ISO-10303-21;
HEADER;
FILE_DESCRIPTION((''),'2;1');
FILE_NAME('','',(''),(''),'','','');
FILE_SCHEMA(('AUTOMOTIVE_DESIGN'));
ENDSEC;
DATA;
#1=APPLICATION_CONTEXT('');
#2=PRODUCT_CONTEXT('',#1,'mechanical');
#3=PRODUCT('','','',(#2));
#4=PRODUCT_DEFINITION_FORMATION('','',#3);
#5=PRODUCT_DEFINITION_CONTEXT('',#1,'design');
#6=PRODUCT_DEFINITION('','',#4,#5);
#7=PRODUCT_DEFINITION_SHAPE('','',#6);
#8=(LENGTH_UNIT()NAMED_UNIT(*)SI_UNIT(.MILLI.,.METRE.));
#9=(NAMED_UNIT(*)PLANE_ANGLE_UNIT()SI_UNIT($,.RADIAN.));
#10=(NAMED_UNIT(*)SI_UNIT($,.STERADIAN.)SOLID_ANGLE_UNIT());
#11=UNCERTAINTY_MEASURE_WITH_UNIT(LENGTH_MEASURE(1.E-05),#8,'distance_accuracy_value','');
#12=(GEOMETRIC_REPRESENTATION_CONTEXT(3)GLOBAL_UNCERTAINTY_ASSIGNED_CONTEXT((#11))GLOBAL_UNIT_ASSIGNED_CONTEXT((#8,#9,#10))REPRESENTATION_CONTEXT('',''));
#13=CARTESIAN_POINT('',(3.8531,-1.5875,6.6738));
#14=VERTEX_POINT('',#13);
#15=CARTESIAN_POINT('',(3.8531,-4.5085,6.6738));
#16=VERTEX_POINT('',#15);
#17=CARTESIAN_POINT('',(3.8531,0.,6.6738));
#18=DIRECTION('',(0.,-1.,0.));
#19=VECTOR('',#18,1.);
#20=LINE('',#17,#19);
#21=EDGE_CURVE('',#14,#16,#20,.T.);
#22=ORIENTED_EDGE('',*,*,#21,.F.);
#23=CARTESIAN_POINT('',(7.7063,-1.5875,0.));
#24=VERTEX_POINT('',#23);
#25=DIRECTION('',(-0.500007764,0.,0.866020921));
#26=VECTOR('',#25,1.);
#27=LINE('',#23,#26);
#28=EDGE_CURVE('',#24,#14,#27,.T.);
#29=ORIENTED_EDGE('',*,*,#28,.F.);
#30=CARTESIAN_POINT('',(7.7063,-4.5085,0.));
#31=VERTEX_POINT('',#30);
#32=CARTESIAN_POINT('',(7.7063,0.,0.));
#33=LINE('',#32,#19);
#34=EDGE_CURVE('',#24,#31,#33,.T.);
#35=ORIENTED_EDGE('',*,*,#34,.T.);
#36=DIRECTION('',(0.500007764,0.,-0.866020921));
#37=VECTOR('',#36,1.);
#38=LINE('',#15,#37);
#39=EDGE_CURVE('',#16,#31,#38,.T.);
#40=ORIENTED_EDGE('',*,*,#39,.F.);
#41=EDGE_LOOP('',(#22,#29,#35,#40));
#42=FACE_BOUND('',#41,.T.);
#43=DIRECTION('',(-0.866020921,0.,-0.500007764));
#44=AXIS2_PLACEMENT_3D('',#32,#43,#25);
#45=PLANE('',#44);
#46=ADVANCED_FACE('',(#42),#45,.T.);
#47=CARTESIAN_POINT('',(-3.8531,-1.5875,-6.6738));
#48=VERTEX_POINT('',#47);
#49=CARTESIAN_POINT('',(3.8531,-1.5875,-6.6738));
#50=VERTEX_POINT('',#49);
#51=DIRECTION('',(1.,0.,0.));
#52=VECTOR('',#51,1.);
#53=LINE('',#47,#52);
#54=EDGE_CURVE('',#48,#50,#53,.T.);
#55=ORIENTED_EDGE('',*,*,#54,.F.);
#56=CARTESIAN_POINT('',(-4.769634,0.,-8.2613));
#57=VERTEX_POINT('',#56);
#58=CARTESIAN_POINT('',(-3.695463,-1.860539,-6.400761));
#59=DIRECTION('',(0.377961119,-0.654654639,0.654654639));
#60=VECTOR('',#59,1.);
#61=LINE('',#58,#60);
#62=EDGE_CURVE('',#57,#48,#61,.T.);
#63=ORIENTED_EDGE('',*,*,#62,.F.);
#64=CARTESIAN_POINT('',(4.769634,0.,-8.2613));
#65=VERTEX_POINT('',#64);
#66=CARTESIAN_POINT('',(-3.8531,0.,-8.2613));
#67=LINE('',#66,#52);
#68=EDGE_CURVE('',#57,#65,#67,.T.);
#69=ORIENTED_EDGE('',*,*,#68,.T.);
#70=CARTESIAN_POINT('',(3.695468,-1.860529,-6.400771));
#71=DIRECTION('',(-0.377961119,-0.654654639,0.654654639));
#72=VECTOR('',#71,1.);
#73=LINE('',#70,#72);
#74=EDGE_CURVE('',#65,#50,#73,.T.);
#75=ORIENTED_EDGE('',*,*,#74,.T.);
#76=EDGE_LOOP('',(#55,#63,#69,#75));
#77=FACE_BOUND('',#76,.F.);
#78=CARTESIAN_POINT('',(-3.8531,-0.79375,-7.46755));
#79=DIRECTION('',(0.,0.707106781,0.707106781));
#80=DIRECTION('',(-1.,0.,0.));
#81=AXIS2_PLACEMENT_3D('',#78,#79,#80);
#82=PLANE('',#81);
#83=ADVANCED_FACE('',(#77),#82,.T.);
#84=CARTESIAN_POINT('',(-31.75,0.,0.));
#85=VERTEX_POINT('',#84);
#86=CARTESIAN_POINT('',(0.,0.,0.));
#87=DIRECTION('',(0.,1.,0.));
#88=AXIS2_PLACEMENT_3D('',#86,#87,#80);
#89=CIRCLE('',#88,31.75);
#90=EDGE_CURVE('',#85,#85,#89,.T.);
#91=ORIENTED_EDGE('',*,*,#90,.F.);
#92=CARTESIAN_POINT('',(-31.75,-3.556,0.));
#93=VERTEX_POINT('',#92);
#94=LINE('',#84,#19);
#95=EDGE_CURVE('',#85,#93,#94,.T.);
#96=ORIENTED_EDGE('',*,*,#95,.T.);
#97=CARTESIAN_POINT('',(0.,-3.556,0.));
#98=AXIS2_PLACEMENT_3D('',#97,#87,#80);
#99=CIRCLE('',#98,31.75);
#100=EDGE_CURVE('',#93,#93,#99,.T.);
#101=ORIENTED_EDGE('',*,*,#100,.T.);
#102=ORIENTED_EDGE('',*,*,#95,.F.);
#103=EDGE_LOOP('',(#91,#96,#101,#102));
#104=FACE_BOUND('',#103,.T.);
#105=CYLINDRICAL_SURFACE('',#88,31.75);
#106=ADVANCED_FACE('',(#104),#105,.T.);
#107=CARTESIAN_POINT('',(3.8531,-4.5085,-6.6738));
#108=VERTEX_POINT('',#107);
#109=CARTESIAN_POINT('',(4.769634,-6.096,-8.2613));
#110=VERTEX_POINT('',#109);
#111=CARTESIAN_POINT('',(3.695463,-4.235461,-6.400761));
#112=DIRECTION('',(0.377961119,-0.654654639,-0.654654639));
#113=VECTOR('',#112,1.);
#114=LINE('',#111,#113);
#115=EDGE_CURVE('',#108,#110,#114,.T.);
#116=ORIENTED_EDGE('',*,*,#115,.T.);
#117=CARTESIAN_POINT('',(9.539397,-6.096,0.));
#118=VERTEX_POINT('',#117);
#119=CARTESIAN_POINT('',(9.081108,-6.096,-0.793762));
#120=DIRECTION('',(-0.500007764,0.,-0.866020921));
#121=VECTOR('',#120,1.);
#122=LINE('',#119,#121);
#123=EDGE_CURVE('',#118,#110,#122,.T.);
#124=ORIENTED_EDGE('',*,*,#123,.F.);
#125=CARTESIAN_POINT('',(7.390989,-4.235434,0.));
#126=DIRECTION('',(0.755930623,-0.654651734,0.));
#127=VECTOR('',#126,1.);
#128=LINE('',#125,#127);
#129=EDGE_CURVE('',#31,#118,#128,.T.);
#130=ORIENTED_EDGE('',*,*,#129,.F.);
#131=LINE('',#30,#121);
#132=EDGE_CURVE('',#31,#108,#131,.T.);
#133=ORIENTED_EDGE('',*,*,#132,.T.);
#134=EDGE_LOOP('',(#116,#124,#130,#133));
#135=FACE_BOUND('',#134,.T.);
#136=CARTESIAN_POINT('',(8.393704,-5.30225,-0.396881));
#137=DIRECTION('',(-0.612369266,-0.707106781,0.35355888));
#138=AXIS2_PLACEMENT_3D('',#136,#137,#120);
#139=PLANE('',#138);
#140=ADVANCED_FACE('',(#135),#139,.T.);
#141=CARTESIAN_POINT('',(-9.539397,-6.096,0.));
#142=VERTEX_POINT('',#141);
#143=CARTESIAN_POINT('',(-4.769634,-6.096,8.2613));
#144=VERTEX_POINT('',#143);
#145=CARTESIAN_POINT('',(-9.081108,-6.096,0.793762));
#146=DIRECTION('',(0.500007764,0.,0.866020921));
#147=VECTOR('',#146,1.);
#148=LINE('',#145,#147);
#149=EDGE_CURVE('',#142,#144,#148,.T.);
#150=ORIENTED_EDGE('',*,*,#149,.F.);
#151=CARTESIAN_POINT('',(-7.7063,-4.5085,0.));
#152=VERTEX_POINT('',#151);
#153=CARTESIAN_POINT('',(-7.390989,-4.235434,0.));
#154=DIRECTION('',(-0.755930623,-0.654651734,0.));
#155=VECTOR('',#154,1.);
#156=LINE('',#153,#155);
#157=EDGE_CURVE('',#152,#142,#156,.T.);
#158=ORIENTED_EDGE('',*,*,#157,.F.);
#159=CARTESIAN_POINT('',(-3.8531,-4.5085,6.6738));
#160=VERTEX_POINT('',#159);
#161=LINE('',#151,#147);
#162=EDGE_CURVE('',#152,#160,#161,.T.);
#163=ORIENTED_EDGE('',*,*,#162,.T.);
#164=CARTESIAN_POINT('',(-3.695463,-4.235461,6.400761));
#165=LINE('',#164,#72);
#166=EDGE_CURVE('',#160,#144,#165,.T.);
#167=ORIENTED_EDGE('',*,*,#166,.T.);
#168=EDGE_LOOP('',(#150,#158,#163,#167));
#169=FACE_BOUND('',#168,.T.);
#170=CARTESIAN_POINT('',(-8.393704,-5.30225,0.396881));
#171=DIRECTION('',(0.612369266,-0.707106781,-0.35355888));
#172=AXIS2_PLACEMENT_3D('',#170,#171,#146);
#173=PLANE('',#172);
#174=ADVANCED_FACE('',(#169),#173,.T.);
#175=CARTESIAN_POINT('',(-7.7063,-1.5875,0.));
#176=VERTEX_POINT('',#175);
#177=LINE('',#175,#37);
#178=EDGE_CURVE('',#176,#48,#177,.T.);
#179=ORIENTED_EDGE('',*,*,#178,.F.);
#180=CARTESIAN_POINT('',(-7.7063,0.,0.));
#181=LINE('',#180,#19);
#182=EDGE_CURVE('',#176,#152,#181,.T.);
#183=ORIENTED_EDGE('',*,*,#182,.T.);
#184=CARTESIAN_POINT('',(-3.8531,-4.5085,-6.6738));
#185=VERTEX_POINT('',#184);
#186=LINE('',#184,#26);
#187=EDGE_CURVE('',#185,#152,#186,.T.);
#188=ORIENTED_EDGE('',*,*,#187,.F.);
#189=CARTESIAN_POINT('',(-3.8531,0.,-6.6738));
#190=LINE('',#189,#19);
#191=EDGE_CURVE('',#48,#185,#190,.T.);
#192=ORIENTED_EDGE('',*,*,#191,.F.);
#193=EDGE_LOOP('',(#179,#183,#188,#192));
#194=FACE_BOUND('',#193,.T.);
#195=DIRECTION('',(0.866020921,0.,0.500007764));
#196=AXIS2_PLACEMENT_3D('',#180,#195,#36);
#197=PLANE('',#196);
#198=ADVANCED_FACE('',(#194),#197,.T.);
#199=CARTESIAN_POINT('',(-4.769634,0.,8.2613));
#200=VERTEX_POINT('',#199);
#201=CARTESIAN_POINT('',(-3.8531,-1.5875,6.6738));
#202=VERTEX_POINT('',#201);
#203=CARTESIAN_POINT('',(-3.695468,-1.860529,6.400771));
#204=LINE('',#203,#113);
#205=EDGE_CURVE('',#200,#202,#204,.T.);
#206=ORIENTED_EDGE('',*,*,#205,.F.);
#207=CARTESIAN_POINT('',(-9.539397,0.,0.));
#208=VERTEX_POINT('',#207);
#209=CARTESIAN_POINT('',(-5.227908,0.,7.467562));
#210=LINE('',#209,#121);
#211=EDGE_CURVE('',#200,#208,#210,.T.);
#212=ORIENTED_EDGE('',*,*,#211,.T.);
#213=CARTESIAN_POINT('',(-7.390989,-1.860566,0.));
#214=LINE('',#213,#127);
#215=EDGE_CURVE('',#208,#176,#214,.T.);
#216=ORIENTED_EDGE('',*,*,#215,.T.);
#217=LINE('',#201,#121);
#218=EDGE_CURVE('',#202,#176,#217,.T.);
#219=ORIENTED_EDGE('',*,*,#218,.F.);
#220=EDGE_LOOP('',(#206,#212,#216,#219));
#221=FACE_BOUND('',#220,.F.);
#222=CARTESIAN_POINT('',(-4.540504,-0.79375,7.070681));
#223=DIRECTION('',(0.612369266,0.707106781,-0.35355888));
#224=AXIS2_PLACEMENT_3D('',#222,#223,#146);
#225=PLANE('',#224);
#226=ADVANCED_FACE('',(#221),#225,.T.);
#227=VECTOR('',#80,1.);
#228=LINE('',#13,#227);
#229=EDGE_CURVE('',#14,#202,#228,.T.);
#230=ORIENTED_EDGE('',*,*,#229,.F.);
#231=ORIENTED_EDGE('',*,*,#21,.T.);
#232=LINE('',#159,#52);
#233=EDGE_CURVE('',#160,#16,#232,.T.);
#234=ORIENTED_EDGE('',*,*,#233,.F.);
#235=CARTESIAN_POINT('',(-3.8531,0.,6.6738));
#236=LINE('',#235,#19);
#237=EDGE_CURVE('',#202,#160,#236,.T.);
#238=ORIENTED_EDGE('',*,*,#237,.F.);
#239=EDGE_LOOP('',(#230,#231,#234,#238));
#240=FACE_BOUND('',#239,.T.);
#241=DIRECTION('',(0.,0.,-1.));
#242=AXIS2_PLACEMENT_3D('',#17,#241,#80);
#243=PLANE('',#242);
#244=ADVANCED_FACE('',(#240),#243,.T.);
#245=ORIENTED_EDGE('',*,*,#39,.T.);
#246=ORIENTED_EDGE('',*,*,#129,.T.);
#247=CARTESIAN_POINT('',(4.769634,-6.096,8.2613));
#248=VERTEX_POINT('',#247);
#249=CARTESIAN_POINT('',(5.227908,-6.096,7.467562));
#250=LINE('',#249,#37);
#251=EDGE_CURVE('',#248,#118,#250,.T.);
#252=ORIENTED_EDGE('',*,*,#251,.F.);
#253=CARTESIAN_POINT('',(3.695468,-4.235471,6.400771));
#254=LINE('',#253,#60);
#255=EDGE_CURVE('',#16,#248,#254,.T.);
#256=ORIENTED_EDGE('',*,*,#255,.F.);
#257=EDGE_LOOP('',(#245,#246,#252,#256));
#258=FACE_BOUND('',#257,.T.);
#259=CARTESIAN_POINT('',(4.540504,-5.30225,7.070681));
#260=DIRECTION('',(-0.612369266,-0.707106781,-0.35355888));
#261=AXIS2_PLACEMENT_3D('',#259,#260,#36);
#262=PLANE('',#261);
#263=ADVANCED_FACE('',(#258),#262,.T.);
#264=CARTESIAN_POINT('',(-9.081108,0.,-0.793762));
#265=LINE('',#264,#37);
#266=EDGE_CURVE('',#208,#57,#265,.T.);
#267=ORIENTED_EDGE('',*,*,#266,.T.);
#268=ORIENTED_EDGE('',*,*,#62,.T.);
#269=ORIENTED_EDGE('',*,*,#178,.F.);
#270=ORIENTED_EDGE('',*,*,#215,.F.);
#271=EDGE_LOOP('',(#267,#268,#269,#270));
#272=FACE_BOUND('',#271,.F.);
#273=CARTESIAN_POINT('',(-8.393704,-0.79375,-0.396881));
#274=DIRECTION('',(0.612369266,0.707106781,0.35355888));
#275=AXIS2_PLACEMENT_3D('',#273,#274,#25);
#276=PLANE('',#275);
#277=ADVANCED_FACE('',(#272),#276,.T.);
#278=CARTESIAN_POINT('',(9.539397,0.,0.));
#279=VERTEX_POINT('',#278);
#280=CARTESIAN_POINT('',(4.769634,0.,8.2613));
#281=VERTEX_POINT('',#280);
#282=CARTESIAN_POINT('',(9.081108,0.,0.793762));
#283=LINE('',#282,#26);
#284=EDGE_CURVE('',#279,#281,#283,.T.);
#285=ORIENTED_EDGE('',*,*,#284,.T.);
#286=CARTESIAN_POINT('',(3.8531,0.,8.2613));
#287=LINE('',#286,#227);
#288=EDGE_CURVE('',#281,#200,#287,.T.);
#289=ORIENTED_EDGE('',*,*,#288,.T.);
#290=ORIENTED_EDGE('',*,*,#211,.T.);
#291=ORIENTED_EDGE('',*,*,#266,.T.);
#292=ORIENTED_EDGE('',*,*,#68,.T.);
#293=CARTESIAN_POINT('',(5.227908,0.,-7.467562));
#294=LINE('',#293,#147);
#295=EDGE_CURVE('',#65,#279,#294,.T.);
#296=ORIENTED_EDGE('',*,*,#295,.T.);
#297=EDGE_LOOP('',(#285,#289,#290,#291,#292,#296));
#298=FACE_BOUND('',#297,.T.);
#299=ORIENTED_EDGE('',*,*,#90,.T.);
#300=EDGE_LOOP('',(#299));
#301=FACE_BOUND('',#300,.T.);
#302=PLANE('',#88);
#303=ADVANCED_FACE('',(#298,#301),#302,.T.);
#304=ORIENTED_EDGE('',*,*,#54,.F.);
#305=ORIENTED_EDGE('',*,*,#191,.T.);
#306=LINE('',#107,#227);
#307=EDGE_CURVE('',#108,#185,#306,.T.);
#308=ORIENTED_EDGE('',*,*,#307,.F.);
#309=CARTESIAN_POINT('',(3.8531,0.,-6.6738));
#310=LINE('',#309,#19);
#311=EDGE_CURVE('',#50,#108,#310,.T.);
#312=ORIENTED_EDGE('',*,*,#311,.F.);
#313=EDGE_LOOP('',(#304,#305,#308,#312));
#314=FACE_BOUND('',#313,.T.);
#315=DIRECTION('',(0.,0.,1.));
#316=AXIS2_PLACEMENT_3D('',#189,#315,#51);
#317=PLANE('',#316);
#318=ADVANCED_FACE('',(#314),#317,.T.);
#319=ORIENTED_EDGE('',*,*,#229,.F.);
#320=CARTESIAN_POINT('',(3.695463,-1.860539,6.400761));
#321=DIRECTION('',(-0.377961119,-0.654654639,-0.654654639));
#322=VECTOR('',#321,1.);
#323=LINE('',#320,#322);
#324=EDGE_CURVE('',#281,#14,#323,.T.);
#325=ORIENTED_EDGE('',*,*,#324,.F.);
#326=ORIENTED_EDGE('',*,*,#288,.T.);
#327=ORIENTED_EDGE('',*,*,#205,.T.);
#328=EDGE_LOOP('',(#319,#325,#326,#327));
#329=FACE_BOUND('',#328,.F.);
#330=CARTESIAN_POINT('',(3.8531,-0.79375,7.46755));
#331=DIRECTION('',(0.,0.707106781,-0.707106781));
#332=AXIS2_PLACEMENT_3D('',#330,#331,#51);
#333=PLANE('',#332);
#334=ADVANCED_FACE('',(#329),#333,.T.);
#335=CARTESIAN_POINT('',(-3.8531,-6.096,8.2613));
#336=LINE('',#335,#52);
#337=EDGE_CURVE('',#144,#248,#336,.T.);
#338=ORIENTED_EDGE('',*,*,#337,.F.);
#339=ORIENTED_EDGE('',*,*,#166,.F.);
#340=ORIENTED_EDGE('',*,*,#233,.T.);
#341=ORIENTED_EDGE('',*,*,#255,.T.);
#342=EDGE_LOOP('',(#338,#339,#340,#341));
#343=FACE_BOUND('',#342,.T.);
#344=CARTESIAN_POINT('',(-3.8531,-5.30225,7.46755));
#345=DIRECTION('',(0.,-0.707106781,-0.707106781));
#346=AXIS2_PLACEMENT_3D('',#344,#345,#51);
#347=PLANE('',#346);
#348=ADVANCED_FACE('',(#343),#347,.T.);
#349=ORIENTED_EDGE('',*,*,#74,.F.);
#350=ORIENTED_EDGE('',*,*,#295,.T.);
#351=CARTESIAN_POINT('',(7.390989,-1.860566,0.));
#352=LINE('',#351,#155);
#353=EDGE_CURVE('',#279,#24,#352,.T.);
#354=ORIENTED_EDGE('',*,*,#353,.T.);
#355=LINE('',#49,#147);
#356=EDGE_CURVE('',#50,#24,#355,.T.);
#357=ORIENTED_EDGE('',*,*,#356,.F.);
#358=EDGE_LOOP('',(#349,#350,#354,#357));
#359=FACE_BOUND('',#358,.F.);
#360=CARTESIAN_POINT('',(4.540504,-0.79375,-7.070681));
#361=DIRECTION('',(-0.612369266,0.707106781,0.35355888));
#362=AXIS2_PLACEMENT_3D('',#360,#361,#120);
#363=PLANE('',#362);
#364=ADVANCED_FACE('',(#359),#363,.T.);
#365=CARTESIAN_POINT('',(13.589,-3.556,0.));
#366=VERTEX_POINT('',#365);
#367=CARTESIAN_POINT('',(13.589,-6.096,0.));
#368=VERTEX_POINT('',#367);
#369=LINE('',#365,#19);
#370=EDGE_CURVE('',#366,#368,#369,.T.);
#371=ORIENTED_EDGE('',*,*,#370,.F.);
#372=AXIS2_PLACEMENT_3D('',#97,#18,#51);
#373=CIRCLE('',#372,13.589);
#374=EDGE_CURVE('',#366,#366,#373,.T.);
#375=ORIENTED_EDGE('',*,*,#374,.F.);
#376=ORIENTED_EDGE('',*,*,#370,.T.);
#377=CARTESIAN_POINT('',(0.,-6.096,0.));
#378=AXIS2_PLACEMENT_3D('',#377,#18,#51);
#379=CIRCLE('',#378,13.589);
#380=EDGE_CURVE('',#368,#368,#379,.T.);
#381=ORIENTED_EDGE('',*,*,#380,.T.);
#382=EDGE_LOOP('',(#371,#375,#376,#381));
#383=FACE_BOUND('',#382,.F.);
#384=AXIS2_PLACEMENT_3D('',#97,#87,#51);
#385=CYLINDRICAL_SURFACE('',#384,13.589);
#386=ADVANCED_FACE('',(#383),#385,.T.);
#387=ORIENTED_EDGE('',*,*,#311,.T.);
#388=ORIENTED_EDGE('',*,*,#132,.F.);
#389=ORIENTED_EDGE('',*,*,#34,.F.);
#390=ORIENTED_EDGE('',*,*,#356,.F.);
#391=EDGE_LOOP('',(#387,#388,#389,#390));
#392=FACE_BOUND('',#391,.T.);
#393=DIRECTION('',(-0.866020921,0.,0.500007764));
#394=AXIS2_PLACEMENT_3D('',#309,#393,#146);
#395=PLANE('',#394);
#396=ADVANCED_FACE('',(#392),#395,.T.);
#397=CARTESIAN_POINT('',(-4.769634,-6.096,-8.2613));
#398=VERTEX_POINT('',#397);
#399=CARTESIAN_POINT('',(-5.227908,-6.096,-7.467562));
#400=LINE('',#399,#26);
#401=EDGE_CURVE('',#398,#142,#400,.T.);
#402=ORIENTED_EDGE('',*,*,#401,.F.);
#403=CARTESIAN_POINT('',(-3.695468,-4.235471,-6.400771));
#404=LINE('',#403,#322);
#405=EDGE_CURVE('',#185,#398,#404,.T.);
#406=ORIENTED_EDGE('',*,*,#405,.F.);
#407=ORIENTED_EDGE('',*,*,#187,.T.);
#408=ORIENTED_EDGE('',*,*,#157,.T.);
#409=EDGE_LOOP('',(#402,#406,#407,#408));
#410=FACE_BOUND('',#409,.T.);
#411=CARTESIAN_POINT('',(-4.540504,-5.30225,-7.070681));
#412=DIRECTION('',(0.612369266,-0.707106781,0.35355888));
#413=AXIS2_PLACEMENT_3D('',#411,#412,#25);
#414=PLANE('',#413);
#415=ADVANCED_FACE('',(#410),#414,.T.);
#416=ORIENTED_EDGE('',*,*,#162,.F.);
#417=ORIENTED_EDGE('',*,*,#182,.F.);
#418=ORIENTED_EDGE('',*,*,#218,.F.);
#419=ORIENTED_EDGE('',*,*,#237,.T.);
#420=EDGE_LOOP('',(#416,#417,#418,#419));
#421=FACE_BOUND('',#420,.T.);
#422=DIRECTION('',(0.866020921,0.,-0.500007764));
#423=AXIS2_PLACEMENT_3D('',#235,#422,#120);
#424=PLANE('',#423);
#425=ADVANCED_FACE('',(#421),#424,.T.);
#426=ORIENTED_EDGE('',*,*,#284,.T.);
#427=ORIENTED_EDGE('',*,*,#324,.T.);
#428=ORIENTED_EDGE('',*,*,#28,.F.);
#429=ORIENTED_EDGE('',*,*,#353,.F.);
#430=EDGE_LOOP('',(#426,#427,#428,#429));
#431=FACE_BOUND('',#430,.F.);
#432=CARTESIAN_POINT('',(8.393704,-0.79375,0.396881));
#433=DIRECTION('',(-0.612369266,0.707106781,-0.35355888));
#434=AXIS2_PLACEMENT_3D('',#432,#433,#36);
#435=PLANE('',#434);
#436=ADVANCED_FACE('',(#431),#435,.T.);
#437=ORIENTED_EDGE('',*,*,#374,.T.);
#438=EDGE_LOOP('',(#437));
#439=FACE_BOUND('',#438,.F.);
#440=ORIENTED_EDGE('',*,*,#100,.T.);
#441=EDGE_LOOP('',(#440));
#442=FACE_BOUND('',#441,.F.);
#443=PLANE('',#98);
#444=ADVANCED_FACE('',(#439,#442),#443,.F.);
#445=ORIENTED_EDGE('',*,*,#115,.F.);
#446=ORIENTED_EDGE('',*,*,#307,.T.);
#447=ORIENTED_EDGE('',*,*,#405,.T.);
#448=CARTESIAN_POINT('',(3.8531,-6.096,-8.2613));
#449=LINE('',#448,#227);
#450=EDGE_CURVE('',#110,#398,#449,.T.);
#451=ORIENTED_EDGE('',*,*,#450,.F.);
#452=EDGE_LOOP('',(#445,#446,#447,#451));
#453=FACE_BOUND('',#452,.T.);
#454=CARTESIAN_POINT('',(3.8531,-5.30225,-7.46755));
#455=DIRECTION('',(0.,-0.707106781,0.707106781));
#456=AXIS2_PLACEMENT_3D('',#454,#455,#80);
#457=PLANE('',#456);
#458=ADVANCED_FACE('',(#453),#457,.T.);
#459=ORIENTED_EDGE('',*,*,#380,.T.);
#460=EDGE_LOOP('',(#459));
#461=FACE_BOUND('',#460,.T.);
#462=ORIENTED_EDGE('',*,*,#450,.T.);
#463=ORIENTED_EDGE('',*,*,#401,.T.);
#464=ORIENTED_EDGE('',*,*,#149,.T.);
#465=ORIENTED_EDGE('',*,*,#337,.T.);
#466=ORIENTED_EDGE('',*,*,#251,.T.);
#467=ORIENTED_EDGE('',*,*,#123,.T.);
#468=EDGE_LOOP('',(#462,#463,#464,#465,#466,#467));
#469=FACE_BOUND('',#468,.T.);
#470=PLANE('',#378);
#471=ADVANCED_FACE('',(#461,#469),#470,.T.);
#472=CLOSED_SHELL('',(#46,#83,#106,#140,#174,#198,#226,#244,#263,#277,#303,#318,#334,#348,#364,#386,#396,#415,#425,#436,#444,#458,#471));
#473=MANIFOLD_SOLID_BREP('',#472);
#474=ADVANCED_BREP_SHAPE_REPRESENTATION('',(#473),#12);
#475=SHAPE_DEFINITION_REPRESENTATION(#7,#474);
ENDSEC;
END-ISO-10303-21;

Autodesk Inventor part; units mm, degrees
ref_plane "YZ Plane" through (0, 0, 0) normal (1, 0, 0) x (0, 1, 0)
ref_plane "XZ Plane" through (0, 0, 0) normal (0, 1, 0) x (-1, 0, 0)
ref_plane "XY Plane" through (0, 0, 0) normal (0, 0, 1) x (1, 0, 0)
sketch "Sketch1" plane through (0, 0, 0) normal (0, 1, 0) x (-1, 0, 0)
  circle A0 centre (0, 0) radius 31.75
  dimension "od" = 63.5
extrude "Extrusion1" add sketch "Sketch1" against normal blind 3.556
sketch "Sketch3" plane through (0, -3.556, 0) normal (0, -1, 0) x (1, 0, 0)
  circle A0 centre (0, 0) radius 13.589
  dimension "idWasher" = 27.178
extrude "Extrusion3" add sketch "Sketch3" along normal blind 2.54
sketch "Sketch2" plane through (0, 0, 0) normal (0, 1, 0) x (1, 0, 0)
  line L0 (-7.7063, 0) -> (-3.8531, 6.6738)
  line L1 (-3.8531, 6.6738) -> (3.8531, 6.6738)
  line L2 (3.8531, 6.6738) -> (7.7063, 0)
  line L3 (7.7063, 0) -> (3.8531, -6.6738)
  line L4 (3.8531, -6.6738) -> (-3.8531, -6.6738)
  line L5 (-3.8531, -6.6738) -> (-7.7063, 0)
  point P0 (0, 0)
  point P1 (0, 0)
  dimension "d3" = 13.3477
extrude "Extrusion2" cut sketch "Sketch2" against normal through all
chamfer "Chamfer1" distance 1.5875 angle 45 12 edges at (-5.7797, 0, -3.3369) (0, 0, -6.6738) (5.7797, 0, -3.3369) (5.7797, 0, 3.3369) (0, 0, 6.6738) (-5.7797, 0, 3.3369) (5.7797, -6.096, -3.3369) (5.7797, -6.096, 3.3369) (0, -6.096, 6.6738) (-5.7797, -6.096, 3.3369) (-5.7797, -6.096, -3.3369) (0, -6.096, -6.6738)
properties part number "spacerForEnd" material "PC/ABS Plastic"
